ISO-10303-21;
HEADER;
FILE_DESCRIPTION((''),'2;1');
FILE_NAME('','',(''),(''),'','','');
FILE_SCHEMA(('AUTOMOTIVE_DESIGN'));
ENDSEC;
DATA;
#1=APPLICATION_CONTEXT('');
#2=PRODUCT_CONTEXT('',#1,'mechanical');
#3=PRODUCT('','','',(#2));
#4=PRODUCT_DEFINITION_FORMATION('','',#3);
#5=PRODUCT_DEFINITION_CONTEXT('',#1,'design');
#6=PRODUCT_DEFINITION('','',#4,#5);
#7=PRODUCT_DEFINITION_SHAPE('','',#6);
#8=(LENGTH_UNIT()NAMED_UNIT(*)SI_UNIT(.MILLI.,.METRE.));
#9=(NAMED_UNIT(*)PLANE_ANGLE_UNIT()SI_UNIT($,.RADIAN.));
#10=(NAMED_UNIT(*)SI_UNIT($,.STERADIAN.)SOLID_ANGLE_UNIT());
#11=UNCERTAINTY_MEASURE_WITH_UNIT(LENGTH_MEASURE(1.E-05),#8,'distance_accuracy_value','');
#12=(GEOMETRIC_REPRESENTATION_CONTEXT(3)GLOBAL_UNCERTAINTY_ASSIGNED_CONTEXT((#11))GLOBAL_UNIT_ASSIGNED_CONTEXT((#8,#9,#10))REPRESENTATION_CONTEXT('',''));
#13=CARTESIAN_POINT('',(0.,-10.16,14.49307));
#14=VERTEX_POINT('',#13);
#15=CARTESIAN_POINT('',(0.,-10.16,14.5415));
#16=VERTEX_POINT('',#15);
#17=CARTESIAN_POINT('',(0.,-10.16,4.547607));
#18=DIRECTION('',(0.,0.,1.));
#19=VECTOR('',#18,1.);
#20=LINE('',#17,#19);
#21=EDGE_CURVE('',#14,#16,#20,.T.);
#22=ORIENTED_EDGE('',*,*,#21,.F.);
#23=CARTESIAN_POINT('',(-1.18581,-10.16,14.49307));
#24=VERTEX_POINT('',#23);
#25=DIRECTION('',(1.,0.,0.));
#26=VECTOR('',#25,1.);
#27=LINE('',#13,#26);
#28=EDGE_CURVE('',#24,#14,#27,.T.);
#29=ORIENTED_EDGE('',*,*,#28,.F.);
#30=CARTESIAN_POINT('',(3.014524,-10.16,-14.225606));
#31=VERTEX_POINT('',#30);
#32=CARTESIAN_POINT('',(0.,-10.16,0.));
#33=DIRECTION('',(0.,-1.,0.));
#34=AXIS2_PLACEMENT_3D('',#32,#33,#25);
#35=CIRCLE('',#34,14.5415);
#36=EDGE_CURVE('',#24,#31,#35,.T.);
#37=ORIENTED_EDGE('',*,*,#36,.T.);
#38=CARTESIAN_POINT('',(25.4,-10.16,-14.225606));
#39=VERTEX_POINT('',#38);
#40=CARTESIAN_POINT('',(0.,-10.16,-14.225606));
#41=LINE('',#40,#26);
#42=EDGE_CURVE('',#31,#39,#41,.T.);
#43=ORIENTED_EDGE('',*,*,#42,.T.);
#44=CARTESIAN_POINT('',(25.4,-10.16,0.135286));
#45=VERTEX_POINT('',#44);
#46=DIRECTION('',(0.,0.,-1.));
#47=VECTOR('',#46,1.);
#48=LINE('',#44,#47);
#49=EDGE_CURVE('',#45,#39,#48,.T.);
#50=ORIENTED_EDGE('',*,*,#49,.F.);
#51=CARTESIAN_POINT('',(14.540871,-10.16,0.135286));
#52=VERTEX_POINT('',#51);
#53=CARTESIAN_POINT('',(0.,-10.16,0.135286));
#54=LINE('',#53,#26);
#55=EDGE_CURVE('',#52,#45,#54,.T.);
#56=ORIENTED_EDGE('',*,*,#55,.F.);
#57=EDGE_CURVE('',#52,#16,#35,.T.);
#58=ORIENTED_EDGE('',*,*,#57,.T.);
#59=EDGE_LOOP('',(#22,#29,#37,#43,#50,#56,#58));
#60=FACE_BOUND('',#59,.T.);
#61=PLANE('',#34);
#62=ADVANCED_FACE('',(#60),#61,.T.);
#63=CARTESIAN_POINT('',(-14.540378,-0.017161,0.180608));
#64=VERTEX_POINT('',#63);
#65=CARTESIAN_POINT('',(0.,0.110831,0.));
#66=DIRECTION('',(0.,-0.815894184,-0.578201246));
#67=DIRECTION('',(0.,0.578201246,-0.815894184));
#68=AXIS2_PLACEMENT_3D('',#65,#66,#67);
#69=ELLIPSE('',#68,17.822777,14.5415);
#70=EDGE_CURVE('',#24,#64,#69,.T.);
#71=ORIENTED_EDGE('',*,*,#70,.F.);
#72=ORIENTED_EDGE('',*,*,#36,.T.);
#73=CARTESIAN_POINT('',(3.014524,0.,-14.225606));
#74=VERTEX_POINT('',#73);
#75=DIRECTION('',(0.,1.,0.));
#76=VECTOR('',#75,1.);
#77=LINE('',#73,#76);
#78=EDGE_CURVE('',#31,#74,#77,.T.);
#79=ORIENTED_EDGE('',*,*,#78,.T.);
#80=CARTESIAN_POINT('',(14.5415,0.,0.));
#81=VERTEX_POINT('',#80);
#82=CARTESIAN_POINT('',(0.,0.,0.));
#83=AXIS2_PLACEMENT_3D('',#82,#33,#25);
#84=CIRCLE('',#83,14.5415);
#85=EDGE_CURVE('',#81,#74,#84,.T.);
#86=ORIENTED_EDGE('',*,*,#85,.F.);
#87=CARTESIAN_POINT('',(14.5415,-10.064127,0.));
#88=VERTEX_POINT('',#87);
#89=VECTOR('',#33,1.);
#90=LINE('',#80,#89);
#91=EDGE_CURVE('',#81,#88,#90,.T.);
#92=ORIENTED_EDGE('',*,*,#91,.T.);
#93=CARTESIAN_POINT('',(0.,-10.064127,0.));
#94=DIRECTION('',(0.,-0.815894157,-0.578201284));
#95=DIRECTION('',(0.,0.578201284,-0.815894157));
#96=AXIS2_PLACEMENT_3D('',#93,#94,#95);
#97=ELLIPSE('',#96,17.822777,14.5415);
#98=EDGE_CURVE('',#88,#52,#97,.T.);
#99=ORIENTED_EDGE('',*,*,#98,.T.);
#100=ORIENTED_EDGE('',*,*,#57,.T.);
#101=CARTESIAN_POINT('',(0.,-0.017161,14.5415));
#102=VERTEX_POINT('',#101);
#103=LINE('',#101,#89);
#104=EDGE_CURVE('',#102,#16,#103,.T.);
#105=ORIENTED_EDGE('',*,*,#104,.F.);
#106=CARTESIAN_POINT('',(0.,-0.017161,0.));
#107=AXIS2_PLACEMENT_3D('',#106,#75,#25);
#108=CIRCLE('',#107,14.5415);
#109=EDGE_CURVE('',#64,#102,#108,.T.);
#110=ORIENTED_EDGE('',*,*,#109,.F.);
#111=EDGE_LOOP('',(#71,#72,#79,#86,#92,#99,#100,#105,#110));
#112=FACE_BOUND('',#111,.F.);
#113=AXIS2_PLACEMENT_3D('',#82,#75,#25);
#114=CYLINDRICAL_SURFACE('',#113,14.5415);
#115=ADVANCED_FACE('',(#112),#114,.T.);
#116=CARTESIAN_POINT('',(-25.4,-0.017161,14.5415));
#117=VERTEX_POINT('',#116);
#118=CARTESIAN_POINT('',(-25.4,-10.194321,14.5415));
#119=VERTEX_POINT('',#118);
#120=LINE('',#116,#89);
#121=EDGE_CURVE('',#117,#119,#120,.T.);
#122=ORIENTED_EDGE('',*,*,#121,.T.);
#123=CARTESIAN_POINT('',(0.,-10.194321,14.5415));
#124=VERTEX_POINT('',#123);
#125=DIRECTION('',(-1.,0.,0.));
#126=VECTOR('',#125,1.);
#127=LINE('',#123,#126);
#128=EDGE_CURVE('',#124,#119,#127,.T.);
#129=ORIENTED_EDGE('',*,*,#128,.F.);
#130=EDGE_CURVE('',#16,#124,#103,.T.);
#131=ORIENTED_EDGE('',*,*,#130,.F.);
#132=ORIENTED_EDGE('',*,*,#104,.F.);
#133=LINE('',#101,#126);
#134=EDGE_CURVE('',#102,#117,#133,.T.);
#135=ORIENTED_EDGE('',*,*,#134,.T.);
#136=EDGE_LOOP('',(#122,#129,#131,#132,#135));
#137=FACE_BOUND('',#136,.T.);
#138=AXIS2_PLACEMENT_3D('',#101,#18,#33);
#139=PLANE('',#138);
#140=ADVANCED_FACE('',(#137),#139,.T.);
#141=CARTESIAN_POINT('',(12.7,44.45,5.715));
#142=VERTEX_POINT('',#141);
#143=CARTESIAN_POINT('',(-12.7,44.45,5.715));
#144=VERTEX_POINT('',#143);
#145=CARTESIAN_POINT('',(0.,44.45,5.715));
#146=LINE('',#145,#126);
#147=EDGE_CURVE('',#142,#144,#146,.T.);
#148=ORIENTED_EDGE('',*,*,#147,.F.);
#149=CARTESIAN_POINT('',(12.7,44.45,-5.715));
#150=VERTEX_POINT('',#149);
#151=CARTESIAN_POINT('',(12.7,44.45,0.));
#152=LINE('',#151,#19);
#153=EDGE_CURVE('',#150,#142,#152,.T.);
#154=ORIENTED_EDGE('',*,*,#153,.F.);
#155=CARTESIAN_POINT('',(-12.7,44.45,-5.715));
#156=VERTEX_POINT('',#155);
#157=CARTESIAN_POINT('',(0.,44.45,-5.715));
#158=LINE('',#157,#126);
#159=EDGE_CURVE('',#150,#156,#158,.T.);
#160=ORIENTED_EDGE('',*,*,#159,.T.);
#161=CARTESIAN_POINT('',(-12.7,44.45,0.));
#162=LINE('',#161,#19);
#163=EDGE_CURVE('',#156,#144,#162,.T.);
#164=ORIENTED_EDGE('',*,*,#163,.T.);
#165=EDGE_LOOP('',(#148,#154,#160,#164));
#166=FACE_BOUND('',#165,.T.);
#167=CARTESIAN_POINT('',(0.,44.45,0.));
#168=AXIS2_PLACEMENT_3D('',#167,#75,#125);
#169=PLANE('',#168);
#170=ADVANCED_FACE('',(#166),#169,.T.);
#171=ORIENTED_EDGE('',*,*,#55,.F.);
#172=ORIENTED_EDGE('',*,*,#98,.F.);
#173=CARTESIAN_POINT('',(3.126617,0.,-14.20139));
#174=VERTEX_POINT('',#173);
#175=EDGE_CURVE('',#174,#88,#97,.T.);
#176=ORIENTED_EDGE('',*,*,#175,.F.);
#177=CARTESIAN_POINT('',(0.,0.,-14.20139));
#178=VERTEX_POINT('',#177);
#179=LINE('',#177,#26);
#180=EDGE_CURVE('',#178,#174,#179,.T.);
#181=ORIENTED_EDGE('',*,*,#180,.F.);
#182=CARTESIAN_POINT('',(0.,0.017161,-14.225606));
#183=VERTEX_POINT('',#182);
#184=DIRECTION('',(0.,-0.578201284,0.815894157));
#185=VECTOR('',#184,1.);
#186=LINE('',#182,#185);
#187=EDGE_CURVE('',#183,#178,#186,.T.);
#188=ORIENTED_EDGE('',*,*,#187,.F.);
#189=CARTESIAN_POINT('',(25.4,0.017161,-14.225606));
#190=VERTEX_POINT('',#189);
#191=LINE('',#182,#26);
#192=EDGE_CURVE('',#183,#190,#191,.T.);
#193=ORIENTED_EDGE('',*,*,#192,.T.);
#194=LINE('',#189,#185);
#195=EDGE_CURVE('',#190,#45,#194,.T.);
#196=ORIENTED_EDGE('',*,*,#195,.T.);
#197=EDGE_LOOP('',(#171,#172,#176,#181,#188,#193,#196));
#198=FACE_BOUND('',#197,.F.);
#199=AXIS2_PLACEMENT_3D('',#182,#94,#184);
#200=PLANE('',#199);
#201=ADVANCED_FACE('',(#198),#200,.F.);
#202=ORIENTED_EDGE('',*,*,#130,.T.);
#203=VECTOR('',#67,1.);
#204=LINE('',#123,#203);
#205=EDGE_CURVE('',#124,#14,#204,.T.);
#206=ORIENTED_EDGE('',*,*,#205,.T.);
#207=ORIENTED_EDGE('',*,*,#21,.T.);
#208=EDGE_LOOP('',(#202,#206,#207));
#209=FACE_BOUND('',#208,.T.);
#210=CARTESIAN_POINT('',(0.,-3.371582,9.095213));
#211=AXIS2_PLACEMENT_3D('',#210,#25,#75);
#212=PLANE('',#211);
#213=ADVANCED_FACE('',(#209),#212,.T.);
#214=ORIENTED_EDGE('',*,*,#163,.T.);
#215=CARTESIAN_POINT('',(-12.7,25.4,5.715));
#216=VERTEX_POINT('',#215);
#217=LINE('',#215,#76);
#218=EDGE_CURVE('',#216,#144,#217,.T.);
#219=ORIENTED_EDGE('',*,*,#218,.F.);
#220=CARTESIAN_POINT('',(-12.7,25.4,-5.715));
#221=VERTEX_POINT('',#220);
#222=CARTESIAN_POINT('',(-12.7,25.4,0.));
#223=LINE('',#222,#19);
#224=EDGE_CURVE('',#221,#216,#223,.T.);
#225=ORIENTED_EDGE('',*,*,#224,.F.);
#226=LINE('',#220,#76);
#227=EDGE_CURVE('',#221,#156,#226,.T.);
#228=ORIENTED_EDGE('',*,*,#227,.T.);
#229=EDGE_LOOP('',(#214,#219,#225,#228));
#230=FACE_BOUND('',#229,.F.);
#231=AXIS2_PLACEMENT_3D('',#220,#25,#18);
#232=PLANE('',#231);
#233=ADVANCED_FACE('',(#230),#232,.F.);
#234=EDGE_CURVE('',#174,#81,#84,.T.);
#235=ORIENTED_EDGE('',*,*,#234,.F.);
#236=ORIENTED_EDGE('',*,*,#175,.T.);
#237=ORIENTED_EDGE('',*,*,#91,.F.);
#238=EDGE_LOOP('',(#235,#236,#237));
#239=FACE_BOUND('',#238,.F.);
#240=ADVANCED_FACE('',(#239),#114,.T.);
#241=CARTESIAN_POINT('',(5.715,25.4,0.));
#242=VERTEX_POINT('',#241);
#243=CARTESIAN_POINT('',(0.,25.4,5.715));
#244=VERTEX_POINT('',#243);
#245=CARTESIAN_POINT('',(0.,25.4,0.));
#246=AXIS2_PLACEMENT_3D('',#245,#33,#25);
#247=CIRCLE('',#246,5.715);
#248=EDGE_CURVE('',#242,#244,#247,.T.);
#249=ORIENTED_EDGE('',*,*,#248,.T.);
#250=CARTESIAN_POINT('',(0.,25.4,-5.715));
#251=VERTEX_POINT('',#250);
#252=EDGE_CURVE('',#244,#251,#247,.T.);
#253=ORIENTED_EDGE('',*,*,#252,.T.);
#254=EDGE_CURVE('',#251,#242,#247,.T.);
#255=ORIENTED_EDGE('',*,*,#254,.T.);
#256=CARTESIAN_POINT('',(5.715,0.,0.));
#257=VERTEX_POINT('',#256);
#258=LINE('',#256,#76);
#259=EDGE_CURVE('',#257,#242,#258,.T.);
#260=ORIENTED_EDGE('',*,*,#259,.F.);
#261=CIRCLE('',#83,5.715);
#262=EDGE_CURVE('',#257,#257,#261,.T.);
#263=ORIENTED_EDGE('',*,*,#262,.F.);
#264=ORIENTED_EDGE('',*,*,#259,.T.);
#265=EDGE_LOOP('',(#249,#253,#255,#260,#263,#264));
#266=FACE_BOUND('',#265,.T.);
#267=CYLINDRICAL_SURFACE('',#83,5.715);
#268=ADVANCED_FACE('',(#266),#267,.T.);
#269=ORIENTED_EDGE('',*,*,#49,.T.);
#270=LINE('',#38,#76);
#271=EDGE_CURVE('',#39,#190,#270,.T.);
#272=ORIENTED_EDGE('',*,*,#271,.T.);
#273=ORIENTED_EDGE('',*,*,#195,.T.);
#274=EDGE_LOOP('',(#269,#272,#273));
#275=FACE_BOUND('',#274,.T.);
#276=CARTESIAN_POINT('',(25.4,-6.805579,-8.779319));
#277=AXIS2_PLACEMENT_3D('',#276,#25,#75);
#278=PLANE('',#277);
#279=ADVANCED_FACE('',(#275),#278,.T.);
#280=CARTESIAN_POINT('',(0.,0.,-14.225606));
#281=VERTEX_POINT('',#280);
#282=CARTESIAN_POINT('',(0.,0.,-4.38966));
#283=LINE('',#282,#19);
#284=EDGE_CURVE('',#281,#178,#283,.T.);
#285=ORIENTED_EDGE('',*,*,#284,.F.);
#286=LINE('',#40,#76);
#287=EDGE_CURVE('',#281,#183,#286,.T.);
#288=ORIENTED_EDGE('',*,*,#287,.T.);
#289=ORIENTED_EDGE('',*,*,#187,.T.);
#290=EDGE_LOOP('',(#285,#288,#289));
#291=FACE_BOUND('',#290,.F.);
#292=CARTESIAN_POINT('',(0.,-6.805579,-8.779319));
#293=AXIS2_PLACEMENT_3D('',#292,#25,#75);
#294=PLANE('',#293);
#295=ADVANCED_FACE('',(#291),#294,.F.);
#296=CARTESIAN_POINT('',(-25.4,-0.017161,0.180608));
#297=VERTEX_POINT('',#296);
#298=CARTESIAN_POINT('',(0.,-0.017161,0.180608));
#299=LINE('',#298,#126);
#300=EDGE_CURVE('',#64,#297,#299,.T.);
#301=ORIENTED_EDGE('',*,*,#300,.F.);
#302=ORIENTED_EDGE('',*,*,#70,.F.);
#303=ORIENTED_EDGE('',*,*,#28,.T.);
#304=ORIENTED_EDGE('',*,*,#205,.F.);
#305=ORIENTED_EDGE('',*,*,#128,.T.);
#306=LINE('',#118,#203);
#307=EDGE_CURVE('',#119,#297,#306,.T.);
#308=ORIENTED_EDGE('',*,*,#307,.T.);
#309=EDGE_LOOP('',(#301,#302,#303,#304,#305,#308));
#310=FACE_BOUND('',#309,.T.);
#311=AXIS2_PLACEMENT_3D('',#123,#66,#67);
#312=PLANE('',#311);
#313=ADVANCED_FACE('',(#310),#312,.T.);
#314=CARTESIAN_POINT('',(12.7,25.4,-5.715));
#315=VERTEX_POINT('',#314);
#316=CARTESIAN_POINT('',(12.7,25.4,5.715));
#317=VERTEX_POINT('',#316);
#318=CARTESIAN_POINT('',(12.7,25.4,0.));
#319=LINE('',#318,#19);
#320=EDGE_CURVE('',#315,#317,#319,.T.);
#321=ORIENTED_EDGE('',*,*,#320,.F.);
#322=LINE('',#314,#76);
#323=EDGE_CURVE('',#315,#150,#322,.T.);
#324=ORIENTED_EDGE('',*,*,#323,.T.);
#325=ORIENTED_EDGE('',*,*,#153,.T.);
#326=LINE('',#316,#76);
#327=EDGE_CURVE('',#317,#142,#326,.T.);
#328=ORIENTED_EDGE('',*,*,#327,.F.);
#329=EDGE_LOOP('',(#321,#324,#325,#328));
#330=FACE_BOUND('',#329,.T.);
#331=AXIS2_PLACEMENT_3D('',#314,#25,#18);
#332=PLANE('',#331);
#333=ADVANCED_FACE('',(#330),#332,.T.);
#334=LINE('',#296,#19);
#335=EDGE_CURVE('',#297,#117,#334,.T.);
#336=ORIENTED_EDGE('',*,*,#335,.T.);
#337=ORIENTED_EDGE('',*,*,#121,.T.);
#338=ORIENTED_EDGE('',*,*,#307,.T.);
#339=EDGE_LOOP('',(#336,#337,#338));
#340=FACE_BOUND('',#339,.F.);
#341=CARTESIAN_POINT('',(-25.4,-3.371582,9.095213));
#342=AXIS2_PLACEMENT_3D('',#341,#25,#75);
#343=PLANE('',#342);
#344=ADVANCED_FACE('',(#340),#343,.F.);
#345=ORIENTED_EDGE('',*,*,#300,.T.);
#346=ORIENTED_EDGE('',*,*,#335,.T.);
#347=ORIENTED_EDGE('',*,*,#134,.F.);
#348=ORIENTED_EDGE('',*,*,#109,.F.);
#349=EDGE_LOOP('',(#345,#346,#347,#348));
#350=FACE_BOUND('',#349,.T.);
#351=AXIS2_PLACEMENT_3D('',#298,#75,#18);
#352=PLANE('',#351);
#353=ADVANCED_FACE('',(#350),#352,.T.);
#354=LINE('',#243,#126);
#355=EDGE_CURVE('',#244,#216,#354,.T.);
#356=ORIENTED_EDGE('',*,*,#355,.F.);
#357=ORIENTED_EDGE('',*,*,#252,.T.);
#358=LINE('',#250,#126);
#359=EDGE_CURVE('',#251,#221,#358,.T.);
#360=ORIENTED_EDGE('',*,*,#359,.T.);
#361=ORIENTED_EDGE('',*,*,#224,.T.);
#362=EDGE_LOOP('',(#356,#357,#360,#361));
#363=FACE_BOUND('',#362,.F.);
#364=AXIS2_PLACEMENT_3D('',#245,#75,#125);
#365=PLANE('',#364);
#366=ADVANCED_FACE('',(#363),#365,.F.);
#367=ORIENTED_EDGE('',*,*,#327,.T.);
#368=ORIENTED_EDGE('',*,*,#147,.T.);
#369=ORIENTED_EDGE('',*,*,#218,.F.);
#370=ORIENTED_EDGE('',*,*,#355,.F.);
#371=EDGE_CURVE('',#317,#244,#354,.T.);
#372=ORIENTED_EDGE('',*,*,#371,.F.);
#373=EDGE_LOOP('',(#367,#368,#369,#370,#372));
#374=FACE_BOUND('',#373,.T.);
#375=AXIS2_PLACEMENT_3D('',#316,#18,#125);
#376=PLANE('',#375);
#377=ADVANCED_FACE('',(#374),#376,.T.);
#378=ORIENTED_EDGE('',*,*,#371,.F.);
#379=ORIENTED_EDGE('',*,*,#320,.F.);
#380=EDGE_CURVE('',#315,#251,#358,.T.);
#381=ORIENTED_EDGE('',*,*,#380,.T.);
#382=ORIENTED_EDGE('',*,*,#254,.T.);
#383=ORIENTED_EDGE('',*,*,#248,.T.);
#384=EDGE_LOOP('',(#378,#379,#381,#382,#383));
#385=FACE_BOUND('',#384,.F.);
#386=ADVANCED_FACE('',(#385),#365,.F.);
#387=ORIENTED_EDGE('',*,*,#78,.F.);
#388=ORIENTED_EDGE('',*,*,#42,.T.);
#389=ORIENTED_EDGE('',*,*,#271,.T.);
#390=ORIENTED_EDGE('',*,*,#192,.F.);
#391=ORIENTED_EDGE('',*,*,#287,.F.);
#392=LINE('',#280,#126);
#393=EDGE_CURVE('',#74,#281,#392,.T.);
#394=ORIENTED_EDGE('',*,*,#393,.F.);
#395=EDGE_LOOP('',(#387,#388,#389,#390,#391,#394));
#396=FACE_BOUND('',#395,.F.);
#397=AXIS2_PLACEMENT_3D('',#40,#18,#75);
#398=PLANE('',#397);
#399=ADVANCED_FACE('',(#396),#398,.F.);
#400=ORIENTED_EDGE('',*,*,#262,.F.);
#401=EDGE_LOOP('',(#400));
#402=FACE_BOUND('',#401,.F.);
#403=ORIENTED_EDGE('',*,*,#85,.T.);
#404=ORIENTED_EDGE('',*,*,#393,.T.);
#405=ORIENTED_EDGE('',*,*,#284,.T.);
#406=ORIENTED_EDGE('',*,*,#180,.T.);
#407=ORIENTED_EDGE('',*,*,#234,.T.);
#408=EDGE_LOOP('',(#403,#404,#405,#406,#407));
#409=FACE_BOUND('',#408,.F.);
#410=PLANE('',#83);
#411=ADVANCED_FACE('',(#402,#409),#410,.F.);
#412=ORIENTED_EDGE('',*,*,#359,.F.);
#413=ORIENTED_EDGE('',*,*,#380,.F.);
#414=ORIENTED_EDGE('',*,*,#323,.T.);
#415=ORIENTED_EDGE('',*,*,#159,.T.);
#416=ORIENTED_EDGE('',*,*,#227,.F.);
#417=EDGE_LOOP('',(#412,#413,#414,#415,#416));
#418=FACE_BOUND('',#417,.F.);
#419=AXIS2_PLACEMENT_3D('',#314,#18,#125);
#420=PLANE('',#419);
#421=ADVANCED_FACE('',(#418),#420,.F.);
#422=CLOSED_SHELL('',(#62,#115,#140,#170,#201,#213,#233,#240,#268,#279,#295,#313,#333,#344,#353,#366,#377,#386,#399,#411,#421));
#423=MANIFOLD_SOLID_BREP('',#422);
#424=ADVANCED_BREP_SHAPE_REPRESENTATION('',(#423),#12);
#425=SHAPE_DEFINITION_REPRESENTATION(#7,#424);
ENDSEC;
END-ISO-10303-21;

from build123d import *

# Parameters (mm, degrees)
F0_R     = 14.5415
F1_DEPTH = 10.16
F4_DEPTH = 25.4
F5_DEPTH = 25.4
F6_R     = 5.715
F7_DEPTH = 25.4
F8_W     = 25.4
F8_H     = 11.43
F9_DEPTH = 19.05


with BuildPart() as f1:
    # F0 (on Front) → F1 (new body)
    with BuildSketch(Plane.XZ):
        Circle(F0_R)
    extrude(amount=F1_DEPTH)

    # F3 (on Right) → F4 (join)
    with BuildSketch(Plane.YZ):
        Polygon((-10.16, -14.225606), (0.017161, -14.225606), (-10.16, 0.135286), align=None)
    extrude(amount=F4_DEPTH)

    # F2 (on Right) → F5 (join)
    with BuildSketch(Plane.YZ):
        Polygon((-0.017161, 14.5415), (-10.194321, 14.5415), (-0.017161, 0.180608), align=None)
    extrude(amount=-F5_DEPTH)

    # F6 (on Front) → F7 (join)
    with BuildSketch(Plane.XZ):
        Circle(F6_R)
    extrude(amount=-F7_DEPTH)

    # F8 (on face) → F9 (join)
    with BuildSketch(Plane(origin=(0, 25.4, 0), x_dir=(-1, 0, 0), z_dir=(0, 1, 0))):
        Rectangle(F8_W, F8_H)
    extrude(amount=F9_DEPTH)


solid = f1.part
